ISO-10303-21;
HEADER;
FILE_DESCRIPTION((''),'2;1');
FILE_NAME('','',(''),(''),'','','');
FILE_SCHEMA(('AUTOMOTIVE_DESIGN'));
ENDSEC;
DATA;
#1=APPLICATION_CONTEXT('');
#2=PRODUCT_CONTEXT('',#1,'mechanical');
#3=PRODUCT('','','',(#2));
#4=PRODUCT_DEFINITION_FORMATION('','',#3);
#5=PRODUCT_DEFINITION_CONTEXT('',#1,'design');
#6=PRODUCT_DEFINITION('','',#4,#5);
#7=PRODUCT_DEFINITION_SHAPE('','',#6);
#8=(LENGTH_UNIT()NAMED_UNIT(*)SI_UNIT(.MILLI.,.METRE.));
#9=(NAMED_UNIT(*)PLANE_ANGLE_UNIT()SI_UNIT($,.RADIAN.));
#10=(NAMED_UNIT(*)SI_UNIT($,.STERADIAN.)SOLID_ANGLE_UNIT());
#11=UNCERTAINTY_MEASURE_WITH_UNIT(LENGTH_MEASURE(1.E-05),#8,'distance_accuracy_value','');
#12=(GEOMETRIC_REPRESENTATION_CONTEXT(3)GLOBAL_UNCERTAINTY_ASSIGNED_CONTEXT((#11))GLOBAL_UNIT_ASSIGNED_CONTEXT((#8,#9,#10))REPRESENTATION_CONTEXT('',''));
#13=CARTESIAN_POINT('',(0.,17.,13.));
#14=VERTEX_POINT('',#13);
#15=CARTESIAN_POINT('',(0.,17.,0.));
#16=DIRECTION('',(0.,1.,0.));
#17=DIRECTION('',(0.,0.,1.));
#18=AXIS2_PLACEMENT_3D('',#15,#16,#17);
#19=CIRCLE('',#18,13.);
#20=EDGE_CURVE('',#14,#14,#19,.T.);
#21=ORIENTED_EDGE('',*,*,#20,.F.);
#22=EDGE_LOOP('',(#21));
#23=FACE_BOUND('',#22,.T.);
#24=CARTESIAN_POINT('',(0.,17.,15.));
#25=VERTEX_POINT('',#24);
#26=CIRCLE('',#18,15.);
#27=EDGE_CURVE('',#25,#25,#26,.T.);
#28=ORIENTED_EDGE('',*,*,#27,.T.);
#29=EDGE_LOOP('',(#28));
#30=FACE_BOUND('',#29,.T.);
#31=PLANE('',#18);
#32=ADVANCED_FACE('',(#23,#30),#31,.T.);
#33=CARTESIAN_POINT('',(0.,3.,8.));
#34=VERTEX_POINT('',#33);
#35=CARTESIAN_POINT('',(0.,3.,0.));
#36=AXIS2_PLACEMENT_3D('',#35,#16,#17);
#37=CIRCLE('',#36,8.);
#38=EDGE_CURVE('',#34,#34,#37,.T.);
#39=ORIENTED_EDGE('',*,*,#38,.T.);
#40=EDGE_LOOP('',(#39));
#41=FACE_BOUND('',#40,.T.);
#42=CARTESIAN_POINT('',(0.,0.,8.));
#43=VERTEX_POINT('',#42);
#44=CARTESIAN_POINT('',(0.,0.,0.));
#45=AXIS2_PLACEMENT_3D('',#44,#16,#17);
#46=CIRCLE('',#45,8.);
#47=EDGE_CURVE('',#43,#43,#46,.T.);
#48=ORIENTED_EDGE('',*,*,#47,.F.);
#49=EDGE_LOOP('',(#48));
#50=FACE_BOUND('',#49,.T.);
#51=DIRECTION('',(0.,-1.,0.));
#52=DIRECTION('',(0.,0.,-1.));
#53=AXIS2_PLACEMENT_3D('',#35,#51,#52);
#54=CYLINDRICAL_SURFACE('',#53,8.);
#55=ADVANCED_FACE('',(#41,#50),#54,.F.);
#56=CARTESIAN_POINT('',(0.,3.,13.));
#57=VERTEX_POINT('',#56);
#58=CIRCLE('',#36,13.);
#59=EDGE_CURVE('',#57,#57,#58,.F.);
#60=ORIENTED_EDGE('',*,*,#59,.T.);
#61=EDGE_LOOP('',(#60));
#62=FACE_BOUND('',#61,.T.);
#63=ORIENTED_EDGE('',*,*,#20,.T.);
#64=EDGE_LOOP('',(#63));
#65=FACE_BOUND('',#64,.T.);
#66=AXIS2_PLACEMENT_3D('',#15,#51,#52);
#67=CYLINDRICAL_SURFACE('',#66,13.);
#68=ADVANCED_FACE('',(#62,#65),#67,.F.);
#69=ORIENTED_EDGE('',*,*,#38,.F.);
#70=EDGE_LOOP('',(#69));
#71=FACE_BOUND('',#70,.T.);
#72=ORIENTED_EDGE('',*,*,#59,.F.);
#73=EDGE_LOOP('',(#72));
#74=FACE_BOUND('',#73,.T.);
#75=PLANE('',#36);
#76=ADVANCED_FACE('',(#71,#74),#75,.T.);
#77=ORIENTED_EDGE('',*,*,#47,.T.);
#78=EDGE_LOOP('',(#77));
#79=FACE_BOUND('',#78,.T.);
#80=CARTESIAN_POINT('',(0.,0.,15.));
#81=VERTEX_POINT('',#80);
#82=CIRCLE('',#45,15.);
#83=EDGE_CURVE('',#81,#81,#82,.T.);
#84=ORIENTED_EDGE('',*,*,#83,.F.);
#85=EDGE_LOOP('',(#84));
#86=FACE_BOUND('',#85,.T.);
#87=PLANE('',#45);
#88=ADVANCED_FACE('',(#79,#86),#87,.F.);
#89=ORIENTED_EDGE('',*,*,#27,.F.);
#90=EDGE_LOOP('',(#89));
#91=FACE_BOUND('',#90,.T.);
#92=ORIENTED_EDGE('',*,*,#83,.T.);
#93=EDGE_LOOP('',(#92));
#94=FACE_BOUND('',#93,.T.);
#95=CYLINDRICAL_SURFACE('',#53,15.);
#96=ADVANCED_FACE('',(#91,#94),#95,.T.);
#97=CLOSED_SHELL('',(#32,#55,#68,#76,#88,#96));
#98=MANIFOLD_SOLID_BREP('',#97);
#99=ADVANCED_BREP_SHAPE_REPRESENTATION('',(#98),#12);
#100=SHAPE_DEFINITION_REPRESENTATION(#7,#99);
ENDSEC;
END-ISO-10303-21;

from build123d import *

# Parameters (mm, degrees)
SKETCH_1_R      = 15
SKETCH_1_R_2    = 8
EXTRUDE_1_DEPTH = 3
SKETCH_2_R      = 15
SKETCH_2_R_2    = 13
EXTRUDE_2_DEPTH = 14


with BuildPart() as part:
    # 스케치1 → 보스-돌출1 (new body)
    with BuildSketch(Plane(origin=(0, 0, 0), x_dir=(1, 0, 0), z_dir=(0, 1, 0))):
        with Locations(Location((0, 0, 0), (0, 0, 270))):
            Circle(SKETCH_1_R)
        with Locations(Location((0, 0, 0), (0, 0, 270))):
            Circle(SKETCH_1_R_2, mode=Mode.SUBTRACT)
    extrude(amount=EXTRUDE_1_DEPTH)

    # 스케치2 → 보스-돌출2 (add)
    with BuildSketch(Plane(origin=(0, 3, 0), x_dir=(1, 0, 0), z_dir=(0, 1, 0))):
        with Locations(Location((0, 0, 0), (0, 0, 270))):
            Circle(SKETCH_2_R)
        with Locations(Location((0, 0, 0), (0, 0, 270))):
            Circle(SKETCH_2_R_2, mode=Mode.SUBTRACT)
    extrude(amount=EXTRUDE_2_DEPTH)


solid = part.part
